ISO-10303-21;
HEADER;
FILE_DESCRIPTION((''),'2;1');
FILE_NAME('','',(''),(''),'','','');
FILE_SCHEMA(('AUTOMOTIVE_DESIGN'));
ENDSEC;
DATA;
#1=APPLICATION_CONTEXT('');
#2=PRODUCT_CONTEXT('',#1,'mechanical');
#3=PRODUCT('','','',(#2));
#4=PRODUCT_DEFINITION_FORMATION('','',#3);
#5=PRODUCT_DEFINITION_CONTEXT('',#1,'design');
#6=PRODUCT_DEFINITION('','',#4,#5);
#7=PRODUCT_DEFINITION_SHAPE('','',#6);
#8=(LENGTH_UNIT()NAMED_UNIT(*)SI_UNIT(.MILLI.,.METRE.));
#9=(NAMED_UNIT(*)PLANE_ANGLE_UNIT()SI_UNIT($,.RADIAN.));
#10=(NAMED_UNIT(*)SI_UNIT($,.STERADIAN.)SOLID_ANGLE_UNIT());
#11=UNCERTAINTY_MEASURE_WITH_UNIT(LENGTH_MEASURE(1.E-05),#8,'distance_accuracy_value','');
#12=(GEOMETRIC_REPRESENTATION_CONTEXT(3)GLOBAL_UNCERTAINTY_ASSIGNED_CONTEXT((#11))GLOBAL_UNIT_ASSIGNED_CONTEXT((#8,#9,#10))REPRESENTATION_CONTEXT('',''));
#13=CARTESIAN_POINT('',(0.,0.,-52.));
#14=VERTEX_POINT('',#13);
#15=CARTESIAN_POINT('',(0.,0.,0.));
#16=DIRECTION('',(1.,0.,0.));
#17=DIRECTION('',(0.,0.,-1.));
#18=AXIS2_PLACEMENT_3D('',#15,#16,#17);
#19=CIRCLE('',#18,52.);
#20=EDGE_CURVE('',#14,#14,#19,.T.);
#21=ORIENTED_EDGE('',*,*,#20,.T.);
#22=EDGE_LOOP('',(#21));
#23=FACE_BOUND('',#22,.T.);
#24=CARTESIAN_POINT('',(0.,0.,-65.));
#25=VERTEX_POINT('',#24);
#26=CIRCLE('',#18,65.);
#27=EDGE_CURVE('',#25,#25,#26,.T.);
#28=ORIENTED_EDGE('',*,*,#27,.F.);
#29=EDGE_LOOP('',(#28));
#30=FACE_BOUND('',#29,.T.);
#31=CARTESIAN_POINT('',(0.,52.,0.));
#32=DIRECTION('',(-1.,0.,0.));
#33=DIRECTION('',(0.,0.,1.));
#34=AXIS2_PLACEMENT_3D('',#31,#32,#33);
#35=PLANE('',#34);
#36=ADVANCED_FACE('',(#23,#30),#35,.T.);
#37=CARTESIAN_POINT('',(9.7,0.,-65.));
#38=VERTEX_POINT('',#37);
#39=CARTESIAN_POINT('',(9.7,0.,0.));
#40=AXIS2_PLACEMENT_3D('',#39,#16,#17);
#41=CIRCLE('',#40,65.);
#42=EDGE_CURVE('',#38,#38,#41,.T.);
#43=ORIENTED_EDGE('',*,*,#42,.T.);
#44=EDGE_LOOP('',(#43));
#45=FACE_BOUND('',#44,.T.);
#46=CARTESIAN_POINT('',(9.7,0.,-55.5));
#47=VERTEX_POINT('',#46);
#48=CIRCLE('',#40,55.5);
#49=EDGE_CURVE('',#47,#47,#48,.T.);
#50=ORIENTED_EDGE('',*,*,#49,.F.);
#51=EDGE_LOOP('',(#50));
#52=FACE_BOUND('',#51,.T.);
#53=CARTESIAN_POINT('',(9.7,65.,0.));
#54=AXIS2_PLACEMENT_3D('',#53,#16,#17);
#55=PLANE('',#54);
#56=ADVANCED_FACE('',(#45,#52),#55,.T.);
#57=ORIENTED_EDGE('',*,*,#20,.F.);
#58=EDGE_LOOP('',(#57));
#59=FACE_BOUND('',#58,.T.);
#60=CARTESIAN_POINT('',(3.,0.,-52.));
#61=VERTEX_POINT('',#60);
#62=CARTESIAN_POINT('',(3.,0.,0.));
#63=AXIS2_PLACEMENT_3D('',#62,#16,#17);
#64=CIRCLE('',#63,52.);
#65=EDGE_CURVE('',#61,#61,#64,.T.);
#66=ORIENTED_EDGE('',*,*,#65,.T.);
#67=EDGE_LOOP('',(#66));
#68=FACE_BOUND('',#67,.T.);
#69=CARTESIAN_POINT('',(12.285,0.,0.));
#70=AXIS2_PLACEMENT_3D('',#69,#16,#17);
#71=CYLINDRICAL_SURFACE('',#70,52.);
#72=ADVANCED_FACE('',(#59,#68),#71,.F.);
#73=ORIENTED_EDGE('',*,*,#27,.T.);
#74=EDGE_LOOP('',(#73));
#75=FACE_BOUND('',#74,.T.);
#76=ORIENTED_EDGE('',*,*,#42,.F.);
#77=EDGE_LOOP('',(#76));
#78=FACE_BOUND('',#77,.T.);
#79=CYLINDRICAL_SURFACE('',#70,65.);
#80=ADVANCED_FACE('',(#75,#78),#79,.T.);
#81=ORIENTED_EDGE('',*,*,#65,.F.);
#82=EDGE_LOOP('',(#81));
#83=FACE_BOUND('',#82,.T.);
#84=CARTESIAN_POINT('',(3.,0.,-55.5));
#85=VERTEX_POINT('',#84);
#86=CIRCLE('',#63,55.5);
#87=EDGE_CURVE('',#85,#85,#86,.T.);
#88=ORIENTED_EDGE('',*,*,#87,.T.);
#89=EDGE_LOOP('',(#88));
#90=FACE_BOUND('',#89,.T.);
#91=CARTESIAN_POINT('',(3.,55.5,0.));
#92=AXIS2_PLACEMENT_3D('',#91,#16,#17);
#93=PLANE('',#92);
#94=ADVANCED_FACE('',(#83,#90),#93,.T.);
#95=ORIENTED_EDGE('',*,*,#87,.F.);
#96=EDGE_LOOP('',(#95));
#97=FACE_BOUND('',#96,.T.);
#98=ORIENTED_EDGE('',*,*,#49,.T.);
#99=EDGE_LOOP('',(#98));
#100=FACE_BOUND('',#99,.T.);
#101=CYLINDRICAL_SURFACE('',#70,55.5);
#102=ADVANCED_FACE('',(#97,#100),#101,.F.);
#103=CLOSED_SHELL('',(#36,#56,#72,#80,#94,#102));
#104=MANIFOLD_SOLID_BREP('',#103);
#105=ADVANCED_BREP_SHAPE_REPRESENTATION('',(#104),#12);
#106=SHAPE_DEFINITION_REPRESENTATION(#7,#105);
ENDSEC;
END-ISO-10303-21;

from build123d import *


with BuildPart() as part:
    # Croquis6 → Revolución1 (revolve)
    with BuildSketch(Plane.XY, mode=Mode.PRIVATE) as revoluci_n1_sk:
        Polygon((0, 52), (0, 65), (9.7, 65), (9.7, 55.5), (3, 55.5), (3, 52), align=None)
    revolve(revoluci_n1_sk.sketch.rotate(Axis((12.285, 0, 0), (-1, 0, 0)), 90), axis=Axis((12.285, 0, 0), (-1, 0, 0)))


solid = part.part
